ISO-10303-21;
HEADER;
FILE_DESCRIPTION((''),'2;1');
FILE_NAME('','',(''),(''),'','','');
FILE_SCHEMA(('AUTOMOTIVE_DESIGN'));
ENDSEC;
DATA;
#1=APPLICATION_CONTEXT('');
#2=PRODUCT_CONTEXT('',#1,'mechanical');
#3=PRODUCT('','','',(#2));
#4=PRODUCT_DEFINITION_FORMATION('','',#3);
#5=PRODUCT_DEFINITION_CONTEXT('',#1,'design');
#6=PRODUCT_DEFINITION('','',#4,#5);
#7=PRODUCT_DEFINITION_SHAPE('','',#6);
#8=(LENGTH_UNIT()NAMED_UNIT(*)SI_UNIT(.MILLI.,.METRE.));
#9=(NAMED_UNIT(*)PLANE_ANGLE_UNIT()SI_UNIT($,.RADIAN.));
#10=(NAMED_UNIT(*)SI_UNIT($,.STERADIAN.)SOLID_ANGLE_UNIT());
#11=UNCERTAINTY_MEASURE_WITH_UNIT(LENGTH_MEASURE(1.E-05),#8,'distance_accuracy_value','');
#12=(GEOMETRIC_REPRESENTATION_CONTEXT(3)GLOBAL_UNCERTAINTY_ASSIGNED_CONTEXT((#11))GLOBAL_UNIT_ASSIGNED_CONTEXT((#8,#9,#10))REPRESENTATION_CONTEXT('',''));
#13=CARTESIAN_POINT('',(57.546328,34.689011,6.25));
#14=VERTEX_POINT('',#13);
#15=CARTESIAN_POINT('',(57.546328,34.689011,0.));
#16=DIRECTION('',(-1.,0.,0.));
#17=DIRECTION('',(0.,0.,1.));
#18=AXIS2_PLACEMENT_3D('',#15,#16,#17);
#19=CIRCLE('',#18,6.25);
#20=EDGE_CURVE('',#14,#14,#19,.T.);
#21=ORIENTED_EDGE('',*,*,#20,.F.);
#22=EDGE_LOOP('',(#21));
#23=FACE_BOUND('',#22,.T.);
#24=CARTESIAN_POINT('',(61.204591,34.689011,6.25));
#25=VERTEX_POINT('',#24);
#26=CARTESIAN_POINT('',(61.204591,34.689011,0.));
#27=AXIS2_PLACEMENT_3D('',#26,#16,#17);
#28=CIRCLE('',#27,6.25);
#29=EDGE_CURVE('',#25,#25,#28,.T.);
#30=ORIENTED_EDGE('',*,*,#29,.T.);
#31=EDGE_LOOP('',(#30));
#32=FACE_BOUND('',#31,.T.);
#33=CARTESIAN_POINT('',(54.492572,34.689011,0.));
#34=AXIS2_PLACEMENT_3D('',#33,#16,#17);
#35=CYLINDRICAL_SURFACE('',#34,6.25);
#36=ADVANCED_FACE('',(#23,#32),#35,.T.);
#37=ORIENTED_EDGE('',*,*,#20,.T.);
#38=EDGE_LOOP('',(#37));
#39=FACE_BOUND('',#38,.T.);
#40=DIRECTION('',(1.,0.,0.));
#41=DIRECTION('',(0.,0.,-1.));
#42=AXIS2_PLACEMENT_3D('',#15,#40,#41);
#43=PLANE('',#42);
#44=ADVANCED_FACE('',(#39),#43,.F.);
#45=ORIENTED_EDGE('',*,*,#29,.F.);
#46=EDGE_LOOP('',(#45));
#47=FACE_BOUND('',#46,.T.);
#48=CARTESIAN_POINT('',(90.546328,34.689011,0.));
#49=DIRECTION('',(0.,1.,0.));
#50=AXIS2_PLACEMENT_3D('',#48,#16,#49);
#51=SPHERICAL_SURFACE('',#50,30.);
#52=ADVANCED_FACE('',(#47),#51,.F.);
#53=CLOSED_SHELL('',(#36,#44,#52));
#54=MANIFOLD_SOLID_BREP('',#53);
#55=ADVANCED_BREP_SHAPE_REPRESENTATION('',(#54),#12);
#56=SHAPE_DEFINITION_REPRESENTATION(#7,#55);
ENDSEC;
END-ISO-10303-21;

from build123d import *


with BuildPart() as part:
    # 草图1 → 旋转1 (revolve)
    with BuildSketch(Plane.XY):
        with BuildLine():
            Line((57.546327767, 34.689010562), (57.546327767, 40.939010562))
            Line((57.546327767, 40.939010562), (61.204591282, 40.939010562))
            ThreePointArc((61.204591282, 40.939010562), (60.711347505, 37.831295194), (60.546327767, 34.689010562))
            Line((60.546327767, 34.689010562), (57.546327767, 34.689010562))
        make_face()
    revolve(axis=Axis((54.492571501, 34.689010562, 0), (1, 0, 0)))


solid = part.part
